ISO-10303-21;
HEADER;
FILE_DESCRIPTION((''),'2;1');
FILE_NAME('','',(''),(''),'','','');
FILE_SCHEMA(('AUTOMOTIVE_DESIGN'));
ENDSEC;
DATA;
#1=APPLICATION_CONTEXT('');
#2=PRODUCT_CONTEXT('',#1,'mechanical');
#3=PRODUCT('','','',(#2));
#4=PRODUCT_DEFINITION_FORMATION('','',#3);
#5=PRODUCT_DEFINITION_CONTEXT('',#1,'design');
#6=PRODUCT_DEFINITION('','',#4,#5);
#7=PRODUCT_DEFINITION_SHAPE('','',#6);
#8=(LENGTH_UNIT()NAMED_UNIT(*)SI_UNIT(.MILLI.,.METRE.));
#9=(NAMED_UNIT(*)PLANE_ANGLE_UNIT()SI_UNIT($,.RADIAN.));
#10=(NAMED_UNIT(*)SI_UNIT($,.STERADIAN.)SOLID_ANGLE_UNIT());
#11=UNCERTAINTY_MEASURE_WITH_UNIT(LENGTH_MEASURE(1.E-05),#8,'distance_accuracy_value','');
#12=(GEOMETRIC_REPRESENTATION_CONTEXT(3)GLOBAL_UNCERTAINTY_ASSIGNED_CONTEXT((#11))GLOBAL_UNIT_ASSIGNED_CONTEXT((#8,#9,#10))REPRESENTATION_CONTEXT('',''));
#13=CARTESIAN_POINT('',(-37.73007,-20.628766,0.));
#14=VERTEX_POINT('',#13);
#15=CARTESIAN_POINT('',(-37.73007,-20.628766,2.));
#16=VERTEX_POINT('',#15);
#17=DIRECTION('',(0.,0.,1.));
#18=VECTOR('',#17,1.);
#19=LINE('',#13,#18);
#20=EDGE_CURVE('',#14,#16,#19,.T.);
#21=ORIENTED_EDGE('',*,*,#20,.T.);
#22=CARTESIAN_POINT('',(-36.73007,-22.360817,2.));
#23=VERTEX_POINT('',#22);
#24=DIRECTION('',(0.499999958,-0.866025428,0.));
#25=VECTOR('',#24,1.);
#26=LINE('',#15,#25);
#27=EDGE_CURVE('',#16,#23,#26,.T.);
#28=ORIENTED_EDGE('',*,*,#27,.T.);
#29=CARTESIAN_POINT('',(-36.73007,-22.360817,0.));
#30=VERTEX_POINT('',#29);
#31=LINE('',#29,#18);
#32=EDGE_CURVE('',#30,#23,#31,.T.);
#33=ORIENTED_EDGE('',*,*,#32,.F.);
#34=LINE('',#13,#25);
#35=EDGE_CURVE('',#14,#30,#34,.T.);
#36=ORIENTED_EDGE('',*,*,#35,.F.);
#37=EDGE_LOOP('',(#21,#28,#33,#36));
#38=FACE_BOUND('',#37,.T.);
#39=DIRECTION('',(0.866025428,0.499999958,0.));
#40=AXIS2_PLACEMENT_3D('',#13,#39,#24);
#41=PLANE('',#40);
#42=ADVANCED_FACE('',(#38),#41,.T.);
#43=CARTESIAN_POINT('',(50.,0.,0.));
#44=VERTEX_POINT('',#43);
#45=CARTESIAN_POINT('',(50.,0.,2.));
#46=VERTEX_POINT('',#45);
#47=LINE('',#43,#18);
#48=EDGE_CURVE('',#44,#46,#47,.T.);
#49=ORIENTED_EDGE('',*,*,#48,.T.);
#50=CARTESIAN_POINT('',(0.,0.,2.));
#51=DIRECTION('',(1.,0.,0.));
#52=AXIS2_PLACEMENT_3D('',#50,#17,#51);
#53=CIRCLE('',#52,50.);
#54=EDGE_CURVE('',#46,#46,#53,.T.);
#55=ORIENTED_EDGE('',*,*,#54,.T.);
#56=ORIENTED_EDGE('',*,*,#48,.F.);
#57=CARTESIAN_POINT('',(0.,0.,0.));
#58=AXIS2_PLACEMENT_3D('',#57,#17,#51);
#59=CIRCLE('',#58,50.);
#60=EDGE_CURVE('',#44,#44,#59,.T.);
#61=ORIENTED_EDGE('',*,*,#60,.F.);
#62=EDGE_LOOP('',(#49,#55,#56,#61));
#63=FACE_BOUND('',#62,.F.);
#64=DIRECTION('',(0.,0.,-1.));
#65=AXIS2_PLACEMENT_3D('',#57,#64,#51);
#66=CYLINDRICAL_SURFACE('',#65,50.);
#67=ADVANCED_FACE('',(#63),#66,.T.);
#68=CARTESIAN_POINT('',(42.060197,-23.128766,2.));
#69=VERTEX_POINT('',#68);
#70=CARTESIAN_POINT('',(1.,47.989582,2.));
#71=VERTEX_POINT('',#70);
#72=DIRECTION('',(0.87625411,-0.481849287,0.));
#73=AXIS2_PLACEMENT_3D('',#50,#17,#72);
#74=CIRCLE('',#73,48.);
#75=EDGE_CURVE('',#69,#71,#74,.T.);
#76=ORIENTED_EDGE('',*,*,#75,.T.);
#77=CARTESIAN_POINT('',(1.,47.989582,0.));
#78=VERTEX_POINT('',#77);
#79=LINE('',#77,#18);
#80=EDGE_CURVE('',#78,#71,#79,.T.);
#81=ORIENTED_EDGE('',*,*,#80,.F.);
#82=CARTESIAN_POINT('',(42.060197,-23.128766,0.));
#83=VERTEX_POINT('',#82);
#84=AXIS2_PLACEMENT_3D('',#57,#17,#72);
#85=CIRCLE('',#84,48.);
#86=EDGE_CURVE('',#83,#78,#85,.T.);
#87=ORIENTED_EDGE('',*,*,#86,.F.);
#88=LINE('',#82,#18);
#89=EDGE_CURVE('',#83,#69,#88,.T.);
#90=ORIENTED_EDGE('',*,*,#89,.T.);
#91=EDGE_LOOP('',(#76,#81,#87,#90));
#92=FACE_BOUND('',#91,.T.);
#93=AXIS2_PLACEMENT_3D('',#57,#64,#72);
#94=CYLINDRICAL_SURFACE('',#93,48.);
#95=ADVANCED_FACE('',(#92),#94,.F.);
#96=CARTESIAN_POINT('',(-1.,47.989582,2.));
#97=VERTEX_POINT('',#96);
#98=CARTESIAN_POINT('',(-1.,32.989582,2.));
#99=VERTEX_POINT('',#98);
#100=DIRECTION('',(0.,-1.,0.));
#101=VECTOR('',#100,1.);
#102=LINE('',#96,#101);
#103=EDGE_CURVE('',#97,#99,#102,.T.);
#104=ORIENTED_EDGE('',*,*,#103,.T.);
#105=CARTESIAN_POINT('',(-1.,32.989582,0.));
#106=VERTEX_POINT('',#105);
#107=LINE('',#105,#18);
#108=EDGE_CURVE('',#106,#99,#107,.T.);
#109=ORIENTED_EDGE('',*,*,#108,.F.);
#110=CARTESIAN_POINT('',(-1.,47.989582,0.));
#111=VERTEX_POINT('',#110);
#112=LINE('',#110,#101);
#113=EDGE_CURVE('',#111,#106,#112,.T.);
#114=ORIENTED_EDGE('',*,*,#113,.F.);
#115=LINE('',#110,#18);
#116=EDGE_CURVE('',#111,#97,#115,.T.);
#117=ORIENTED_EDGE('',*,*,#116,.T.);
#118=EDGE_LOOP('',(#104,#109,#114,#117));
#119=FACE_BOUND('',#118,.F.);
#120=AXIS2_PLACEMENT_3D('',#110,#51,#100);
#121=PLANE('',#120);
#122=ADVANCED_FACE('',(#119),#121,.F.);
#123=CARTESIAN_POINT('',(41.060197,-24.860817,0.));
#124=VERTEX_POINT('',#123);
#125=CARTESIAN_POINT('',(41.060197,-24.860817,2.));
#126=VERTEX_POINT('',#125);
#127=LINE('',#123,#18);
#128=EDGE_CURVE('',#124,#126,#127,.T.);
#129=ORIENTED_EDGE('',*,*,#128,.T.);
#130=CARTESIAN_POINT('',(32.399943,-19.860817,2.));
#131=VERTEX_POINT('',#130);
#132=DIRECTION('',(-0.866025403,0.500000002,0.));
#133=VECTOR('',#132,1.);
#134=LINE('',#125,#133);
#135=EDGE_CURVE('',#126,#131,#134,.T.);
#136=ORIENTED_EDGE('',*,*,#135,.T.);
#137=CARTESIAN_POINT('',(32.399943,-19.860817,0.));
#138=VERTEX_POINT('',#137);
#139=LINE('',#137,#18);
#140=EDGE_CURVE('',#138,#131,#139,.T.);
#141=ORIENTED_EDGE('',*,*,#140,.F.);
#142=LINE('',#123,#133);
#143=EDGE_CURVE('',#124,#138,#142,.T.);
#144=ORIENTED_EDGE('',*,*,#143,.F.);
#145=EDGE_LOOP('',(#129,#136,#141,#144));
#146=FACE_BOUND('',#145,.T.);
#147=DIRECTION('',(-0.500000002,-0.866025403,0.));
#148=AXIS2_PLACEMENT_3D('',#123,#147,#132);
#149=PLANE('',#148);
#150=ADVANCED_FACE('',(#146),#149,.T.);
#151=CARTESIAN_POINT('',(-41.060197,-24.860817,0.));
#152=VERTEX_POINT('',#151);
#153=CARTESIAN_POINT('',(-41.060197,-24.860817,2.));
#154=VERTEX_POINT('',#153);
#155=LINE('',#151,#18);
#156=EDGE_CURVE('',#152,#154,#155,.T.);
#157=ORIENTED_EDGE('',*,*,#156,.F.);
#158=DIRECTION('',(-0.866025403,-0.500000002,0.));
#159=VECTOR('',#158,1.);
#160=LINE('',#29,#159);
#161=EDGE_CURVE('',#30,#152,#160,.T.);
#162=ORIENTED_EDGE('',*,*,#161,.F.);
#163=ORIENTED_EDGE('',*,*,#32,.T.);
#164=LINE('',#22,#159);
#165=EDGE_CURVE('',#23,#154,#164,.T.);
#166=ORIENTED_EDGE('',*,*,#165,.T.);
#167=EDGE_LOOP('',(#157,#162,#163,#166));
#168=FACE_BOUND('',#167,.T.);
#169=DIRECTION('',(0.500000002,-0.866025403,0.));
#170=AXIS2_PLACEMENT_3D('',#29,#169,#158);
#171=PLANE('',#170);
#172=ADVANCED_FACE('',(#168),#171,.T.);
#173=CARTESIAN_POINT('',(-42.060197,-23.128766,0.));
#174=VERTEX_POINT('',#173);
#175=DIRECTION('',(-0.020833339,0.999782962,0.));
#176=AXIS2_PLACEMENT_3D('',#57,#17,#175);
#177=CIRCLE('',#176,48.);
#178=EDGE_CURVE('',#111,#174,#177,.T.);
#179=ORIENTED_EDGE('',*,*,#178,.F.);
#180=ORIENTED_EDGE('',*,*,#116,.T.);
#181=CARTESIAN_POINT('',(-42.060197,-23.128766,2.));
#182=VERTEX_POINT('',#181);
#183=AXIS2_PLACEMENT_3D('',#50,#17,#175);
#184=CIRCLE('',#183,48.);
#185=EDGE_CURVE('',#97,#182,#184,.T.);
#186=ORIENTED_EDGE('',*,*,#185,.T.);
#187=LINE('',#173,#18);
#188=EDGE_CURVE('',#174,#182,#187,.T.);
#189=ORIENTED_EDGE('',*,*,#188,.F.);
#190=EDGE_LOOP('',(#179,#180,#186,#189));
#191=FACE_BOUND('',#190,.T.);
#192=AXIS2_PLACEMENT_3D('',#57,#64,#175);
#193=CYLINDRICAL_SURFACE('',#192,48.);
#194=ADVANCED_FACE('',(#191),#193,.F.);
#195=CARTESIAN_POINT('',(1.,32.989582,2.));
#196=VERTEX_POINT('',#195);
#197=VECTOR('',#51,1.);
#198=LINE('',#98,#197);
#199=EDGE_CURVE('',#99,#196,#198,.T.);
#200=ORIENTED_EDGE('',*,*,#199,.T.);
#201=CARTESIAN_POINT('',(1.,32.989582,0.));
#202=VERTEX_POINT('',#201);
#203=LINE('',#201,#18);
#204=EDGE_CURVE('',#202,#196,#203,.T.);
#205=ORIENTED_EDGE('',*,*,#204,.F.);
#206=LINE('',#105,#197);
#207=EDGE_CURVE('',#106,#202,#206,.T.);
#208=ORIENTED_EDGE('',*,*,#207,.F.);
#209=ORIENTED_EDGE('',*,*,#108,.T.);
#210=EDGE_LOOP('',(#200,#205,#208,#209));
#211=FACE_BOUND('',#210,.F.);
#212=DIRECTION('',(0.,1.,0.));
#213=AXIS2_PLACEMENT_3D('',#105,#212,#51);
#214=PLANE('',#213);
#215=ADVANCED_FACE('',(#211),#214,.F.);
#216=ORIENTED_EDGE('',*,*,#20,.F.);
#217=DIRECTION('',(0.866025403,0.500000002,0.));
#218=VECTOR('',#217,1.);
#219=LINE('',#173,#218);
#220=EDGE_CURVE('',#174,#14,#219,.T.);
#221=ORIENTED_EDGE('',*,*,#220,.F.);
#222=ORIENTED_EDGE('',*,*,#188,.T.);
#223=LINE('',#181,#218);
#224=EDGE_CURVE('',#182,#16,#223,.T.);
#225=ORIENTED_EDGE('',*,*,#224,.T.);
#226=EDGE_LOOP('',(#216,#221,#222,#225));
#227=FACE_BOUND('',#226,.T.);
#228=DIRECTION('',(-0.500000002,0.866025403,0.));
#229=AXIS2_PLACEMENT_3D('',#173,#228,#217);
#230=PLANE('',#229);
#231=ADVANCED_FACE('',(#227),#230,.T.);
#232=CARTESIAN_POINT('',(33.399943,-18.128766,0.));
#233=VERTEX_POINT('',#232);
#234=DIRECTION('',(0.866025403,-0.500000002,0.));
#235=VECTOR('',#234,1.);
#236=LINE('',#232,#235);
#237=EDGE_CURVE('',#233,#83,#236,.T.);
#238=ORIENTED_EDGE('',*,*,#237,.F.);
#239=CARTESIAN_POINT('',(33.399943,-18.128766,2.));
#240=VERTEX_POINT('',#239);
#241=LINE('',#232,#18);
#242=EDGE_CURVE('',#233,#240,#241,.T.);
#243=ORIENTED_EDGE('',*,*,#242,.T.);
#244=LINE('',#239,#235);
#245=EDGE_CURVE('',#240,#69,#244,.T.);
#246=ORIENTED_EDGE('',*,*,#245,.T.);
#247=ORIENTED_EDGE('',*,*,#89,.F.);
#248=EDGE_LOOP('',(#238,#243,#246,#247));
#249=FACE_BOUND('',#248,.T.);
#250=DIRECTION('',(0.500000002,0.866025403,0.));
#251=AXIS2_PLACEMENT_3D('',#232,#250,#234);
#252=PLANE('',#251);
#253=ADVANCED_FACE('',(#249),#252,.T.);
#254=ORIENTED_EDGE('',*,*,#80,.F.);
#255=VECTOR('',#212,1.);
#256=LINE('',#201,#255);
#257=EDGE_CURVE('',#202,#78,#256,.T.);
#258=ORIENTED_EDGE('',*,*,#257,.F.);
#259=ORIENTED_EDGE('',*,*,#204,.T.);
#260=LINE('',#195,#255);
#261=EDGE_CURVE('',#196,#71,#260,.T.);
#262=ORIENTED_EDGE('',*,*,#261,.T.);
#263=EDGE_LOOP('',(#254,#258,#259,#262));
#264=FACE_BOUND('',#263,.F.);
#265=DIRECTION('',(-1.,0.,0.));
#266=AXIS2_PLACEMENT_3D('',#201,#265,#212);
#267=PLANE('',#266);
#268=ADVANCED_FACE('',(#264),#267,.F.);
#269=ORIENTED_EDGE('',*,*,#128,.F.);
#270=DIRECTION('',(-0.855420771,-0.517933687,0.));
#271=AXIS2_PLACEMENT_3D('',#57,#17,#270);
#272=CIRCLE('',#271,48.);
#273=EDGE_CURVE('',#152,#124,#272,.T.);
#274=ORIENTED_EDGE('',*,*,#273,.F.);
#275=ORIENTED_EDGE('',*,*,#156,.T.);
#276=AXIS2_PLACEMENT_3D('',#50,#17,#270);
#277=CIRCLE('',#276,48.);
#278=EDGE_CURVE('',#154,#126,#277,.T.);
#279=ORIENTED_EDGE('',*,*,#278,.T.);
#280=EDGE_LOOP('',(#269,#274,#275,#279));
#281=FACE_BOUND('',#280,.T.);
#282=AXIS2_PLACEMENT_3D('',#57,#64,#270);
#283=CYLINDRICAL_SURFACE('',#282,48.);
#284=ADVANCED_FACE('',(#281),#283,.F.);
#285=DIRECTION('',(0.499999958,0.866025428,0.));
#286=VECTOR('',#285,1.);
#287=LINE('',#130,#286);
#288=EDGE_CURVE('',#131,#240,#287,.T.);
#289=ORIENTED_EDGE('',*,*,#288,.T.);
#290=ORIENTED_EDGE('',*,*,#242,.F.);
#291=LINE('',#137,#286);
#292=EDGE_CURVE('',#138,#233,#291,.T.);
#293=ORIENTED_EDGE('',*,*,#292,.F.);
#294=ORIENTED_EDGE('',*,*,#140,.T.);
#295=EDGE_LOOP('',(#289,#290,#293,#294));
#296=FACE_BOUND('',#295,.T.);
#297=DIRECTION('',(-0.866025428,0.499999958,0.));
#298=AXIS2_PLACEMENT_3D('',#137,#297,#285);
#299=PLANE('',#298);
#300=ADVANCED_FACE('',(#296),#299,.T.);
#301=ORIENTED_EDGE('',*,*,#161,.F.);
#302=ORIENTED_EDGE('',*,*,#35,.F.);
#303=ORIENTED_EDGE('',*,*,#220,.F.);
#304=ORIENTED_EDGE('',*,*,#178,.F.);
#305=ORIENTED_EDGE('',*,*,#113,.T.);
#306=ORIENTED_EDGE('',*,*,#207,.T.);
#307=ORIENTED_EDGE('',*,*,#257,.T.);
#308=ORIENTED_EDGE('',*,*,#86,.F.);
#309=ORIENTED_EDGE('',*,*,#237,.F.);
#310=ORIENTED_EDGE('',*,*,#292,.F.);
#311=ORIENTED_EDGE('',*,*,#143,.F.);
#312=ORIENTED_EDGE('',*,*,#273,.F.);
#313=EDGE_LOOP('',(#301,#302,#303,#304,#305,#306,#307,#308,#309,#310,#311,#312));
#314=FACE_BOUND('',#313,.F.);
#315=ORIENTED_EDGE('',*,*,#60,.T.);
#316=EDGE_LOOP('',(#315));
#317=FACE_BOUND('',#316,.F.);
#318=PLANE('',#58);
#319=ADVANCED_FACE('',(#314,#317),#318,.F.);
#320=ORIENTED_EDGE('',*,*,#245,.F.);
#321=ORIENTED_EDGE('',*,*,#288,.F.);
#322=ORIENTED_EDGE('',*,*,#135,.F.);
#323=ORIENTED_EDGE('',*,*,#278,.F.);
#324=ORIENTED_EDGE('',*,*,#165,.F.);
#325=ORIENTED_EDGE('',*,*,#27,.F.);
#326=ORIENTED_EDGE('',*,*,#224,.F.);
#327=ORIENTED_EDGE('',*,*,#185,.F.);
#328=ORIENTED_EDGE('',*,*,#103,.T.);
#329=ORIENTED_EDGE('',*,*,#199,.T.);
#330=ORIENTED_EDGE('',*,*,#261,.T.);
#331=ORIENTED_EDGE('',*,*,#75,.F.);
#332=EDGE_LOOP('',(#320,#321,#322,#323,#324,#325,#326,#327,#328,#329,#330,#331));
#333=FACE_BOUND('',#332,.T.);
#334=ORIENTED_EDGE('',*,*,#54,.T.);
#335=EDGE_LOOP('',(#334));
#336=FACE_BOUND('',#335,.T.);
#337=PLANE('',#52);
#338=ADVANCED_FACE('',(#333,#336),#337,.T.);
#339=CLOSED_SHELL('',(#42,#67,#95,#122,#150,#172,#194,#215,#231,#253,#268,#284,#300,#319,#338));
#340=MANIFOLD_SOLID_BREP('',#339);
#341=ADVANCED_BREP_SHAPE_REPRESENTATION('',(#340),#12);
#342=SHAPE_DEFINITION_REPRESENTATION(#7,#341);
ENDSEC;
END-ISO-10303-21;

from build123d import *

# Parameters (mm, degrees)
SKETCH_R  = 50
PAD_DEPTH = 2


with BuildPart() as part:
    # Sketch → Pad (new body)
    with BuildSketch(Plane.XY):
        Circle(SKETCH_R)
        with BuildLine():
            ThreePointArc((-1, 47.989582), (-41.569219, 24), (-42.060197, -23.128766))
            Line((-42.060197, -23.128766), (-37.73007, -20.628766))
            Line((-37.73007, -20.628766), (-36.73007, -22.360817))
            Line((-36.73007, -22.360817), (-41.060197, -24.860817))
            ThreePointArc((-41.060197, -24.860817), (0, -48), (41.060197, -24.860817))
            Line((41.060197, -24.860817), (32.399943, -19.860817))
            Line((32.399943, -19.860817), (33.399943, -18.128766))
            Line((33.399943, -18.128766), (42.060197, -23.128766))
            ThreePointArc((42.060197, -23.128766), (41.569219, 24), (1, 47.989582))
            Line((1, 32.989582), (1, 47.989582))
            Line((-1, 32.989582), (1, 32.989582))
            Line((-1, 47.989582), (-1, 32.989582))
        make_face(mode=Mode.SUBTRACT)
    extrude(amount=PAD_DEPTH)


solid = part.part
